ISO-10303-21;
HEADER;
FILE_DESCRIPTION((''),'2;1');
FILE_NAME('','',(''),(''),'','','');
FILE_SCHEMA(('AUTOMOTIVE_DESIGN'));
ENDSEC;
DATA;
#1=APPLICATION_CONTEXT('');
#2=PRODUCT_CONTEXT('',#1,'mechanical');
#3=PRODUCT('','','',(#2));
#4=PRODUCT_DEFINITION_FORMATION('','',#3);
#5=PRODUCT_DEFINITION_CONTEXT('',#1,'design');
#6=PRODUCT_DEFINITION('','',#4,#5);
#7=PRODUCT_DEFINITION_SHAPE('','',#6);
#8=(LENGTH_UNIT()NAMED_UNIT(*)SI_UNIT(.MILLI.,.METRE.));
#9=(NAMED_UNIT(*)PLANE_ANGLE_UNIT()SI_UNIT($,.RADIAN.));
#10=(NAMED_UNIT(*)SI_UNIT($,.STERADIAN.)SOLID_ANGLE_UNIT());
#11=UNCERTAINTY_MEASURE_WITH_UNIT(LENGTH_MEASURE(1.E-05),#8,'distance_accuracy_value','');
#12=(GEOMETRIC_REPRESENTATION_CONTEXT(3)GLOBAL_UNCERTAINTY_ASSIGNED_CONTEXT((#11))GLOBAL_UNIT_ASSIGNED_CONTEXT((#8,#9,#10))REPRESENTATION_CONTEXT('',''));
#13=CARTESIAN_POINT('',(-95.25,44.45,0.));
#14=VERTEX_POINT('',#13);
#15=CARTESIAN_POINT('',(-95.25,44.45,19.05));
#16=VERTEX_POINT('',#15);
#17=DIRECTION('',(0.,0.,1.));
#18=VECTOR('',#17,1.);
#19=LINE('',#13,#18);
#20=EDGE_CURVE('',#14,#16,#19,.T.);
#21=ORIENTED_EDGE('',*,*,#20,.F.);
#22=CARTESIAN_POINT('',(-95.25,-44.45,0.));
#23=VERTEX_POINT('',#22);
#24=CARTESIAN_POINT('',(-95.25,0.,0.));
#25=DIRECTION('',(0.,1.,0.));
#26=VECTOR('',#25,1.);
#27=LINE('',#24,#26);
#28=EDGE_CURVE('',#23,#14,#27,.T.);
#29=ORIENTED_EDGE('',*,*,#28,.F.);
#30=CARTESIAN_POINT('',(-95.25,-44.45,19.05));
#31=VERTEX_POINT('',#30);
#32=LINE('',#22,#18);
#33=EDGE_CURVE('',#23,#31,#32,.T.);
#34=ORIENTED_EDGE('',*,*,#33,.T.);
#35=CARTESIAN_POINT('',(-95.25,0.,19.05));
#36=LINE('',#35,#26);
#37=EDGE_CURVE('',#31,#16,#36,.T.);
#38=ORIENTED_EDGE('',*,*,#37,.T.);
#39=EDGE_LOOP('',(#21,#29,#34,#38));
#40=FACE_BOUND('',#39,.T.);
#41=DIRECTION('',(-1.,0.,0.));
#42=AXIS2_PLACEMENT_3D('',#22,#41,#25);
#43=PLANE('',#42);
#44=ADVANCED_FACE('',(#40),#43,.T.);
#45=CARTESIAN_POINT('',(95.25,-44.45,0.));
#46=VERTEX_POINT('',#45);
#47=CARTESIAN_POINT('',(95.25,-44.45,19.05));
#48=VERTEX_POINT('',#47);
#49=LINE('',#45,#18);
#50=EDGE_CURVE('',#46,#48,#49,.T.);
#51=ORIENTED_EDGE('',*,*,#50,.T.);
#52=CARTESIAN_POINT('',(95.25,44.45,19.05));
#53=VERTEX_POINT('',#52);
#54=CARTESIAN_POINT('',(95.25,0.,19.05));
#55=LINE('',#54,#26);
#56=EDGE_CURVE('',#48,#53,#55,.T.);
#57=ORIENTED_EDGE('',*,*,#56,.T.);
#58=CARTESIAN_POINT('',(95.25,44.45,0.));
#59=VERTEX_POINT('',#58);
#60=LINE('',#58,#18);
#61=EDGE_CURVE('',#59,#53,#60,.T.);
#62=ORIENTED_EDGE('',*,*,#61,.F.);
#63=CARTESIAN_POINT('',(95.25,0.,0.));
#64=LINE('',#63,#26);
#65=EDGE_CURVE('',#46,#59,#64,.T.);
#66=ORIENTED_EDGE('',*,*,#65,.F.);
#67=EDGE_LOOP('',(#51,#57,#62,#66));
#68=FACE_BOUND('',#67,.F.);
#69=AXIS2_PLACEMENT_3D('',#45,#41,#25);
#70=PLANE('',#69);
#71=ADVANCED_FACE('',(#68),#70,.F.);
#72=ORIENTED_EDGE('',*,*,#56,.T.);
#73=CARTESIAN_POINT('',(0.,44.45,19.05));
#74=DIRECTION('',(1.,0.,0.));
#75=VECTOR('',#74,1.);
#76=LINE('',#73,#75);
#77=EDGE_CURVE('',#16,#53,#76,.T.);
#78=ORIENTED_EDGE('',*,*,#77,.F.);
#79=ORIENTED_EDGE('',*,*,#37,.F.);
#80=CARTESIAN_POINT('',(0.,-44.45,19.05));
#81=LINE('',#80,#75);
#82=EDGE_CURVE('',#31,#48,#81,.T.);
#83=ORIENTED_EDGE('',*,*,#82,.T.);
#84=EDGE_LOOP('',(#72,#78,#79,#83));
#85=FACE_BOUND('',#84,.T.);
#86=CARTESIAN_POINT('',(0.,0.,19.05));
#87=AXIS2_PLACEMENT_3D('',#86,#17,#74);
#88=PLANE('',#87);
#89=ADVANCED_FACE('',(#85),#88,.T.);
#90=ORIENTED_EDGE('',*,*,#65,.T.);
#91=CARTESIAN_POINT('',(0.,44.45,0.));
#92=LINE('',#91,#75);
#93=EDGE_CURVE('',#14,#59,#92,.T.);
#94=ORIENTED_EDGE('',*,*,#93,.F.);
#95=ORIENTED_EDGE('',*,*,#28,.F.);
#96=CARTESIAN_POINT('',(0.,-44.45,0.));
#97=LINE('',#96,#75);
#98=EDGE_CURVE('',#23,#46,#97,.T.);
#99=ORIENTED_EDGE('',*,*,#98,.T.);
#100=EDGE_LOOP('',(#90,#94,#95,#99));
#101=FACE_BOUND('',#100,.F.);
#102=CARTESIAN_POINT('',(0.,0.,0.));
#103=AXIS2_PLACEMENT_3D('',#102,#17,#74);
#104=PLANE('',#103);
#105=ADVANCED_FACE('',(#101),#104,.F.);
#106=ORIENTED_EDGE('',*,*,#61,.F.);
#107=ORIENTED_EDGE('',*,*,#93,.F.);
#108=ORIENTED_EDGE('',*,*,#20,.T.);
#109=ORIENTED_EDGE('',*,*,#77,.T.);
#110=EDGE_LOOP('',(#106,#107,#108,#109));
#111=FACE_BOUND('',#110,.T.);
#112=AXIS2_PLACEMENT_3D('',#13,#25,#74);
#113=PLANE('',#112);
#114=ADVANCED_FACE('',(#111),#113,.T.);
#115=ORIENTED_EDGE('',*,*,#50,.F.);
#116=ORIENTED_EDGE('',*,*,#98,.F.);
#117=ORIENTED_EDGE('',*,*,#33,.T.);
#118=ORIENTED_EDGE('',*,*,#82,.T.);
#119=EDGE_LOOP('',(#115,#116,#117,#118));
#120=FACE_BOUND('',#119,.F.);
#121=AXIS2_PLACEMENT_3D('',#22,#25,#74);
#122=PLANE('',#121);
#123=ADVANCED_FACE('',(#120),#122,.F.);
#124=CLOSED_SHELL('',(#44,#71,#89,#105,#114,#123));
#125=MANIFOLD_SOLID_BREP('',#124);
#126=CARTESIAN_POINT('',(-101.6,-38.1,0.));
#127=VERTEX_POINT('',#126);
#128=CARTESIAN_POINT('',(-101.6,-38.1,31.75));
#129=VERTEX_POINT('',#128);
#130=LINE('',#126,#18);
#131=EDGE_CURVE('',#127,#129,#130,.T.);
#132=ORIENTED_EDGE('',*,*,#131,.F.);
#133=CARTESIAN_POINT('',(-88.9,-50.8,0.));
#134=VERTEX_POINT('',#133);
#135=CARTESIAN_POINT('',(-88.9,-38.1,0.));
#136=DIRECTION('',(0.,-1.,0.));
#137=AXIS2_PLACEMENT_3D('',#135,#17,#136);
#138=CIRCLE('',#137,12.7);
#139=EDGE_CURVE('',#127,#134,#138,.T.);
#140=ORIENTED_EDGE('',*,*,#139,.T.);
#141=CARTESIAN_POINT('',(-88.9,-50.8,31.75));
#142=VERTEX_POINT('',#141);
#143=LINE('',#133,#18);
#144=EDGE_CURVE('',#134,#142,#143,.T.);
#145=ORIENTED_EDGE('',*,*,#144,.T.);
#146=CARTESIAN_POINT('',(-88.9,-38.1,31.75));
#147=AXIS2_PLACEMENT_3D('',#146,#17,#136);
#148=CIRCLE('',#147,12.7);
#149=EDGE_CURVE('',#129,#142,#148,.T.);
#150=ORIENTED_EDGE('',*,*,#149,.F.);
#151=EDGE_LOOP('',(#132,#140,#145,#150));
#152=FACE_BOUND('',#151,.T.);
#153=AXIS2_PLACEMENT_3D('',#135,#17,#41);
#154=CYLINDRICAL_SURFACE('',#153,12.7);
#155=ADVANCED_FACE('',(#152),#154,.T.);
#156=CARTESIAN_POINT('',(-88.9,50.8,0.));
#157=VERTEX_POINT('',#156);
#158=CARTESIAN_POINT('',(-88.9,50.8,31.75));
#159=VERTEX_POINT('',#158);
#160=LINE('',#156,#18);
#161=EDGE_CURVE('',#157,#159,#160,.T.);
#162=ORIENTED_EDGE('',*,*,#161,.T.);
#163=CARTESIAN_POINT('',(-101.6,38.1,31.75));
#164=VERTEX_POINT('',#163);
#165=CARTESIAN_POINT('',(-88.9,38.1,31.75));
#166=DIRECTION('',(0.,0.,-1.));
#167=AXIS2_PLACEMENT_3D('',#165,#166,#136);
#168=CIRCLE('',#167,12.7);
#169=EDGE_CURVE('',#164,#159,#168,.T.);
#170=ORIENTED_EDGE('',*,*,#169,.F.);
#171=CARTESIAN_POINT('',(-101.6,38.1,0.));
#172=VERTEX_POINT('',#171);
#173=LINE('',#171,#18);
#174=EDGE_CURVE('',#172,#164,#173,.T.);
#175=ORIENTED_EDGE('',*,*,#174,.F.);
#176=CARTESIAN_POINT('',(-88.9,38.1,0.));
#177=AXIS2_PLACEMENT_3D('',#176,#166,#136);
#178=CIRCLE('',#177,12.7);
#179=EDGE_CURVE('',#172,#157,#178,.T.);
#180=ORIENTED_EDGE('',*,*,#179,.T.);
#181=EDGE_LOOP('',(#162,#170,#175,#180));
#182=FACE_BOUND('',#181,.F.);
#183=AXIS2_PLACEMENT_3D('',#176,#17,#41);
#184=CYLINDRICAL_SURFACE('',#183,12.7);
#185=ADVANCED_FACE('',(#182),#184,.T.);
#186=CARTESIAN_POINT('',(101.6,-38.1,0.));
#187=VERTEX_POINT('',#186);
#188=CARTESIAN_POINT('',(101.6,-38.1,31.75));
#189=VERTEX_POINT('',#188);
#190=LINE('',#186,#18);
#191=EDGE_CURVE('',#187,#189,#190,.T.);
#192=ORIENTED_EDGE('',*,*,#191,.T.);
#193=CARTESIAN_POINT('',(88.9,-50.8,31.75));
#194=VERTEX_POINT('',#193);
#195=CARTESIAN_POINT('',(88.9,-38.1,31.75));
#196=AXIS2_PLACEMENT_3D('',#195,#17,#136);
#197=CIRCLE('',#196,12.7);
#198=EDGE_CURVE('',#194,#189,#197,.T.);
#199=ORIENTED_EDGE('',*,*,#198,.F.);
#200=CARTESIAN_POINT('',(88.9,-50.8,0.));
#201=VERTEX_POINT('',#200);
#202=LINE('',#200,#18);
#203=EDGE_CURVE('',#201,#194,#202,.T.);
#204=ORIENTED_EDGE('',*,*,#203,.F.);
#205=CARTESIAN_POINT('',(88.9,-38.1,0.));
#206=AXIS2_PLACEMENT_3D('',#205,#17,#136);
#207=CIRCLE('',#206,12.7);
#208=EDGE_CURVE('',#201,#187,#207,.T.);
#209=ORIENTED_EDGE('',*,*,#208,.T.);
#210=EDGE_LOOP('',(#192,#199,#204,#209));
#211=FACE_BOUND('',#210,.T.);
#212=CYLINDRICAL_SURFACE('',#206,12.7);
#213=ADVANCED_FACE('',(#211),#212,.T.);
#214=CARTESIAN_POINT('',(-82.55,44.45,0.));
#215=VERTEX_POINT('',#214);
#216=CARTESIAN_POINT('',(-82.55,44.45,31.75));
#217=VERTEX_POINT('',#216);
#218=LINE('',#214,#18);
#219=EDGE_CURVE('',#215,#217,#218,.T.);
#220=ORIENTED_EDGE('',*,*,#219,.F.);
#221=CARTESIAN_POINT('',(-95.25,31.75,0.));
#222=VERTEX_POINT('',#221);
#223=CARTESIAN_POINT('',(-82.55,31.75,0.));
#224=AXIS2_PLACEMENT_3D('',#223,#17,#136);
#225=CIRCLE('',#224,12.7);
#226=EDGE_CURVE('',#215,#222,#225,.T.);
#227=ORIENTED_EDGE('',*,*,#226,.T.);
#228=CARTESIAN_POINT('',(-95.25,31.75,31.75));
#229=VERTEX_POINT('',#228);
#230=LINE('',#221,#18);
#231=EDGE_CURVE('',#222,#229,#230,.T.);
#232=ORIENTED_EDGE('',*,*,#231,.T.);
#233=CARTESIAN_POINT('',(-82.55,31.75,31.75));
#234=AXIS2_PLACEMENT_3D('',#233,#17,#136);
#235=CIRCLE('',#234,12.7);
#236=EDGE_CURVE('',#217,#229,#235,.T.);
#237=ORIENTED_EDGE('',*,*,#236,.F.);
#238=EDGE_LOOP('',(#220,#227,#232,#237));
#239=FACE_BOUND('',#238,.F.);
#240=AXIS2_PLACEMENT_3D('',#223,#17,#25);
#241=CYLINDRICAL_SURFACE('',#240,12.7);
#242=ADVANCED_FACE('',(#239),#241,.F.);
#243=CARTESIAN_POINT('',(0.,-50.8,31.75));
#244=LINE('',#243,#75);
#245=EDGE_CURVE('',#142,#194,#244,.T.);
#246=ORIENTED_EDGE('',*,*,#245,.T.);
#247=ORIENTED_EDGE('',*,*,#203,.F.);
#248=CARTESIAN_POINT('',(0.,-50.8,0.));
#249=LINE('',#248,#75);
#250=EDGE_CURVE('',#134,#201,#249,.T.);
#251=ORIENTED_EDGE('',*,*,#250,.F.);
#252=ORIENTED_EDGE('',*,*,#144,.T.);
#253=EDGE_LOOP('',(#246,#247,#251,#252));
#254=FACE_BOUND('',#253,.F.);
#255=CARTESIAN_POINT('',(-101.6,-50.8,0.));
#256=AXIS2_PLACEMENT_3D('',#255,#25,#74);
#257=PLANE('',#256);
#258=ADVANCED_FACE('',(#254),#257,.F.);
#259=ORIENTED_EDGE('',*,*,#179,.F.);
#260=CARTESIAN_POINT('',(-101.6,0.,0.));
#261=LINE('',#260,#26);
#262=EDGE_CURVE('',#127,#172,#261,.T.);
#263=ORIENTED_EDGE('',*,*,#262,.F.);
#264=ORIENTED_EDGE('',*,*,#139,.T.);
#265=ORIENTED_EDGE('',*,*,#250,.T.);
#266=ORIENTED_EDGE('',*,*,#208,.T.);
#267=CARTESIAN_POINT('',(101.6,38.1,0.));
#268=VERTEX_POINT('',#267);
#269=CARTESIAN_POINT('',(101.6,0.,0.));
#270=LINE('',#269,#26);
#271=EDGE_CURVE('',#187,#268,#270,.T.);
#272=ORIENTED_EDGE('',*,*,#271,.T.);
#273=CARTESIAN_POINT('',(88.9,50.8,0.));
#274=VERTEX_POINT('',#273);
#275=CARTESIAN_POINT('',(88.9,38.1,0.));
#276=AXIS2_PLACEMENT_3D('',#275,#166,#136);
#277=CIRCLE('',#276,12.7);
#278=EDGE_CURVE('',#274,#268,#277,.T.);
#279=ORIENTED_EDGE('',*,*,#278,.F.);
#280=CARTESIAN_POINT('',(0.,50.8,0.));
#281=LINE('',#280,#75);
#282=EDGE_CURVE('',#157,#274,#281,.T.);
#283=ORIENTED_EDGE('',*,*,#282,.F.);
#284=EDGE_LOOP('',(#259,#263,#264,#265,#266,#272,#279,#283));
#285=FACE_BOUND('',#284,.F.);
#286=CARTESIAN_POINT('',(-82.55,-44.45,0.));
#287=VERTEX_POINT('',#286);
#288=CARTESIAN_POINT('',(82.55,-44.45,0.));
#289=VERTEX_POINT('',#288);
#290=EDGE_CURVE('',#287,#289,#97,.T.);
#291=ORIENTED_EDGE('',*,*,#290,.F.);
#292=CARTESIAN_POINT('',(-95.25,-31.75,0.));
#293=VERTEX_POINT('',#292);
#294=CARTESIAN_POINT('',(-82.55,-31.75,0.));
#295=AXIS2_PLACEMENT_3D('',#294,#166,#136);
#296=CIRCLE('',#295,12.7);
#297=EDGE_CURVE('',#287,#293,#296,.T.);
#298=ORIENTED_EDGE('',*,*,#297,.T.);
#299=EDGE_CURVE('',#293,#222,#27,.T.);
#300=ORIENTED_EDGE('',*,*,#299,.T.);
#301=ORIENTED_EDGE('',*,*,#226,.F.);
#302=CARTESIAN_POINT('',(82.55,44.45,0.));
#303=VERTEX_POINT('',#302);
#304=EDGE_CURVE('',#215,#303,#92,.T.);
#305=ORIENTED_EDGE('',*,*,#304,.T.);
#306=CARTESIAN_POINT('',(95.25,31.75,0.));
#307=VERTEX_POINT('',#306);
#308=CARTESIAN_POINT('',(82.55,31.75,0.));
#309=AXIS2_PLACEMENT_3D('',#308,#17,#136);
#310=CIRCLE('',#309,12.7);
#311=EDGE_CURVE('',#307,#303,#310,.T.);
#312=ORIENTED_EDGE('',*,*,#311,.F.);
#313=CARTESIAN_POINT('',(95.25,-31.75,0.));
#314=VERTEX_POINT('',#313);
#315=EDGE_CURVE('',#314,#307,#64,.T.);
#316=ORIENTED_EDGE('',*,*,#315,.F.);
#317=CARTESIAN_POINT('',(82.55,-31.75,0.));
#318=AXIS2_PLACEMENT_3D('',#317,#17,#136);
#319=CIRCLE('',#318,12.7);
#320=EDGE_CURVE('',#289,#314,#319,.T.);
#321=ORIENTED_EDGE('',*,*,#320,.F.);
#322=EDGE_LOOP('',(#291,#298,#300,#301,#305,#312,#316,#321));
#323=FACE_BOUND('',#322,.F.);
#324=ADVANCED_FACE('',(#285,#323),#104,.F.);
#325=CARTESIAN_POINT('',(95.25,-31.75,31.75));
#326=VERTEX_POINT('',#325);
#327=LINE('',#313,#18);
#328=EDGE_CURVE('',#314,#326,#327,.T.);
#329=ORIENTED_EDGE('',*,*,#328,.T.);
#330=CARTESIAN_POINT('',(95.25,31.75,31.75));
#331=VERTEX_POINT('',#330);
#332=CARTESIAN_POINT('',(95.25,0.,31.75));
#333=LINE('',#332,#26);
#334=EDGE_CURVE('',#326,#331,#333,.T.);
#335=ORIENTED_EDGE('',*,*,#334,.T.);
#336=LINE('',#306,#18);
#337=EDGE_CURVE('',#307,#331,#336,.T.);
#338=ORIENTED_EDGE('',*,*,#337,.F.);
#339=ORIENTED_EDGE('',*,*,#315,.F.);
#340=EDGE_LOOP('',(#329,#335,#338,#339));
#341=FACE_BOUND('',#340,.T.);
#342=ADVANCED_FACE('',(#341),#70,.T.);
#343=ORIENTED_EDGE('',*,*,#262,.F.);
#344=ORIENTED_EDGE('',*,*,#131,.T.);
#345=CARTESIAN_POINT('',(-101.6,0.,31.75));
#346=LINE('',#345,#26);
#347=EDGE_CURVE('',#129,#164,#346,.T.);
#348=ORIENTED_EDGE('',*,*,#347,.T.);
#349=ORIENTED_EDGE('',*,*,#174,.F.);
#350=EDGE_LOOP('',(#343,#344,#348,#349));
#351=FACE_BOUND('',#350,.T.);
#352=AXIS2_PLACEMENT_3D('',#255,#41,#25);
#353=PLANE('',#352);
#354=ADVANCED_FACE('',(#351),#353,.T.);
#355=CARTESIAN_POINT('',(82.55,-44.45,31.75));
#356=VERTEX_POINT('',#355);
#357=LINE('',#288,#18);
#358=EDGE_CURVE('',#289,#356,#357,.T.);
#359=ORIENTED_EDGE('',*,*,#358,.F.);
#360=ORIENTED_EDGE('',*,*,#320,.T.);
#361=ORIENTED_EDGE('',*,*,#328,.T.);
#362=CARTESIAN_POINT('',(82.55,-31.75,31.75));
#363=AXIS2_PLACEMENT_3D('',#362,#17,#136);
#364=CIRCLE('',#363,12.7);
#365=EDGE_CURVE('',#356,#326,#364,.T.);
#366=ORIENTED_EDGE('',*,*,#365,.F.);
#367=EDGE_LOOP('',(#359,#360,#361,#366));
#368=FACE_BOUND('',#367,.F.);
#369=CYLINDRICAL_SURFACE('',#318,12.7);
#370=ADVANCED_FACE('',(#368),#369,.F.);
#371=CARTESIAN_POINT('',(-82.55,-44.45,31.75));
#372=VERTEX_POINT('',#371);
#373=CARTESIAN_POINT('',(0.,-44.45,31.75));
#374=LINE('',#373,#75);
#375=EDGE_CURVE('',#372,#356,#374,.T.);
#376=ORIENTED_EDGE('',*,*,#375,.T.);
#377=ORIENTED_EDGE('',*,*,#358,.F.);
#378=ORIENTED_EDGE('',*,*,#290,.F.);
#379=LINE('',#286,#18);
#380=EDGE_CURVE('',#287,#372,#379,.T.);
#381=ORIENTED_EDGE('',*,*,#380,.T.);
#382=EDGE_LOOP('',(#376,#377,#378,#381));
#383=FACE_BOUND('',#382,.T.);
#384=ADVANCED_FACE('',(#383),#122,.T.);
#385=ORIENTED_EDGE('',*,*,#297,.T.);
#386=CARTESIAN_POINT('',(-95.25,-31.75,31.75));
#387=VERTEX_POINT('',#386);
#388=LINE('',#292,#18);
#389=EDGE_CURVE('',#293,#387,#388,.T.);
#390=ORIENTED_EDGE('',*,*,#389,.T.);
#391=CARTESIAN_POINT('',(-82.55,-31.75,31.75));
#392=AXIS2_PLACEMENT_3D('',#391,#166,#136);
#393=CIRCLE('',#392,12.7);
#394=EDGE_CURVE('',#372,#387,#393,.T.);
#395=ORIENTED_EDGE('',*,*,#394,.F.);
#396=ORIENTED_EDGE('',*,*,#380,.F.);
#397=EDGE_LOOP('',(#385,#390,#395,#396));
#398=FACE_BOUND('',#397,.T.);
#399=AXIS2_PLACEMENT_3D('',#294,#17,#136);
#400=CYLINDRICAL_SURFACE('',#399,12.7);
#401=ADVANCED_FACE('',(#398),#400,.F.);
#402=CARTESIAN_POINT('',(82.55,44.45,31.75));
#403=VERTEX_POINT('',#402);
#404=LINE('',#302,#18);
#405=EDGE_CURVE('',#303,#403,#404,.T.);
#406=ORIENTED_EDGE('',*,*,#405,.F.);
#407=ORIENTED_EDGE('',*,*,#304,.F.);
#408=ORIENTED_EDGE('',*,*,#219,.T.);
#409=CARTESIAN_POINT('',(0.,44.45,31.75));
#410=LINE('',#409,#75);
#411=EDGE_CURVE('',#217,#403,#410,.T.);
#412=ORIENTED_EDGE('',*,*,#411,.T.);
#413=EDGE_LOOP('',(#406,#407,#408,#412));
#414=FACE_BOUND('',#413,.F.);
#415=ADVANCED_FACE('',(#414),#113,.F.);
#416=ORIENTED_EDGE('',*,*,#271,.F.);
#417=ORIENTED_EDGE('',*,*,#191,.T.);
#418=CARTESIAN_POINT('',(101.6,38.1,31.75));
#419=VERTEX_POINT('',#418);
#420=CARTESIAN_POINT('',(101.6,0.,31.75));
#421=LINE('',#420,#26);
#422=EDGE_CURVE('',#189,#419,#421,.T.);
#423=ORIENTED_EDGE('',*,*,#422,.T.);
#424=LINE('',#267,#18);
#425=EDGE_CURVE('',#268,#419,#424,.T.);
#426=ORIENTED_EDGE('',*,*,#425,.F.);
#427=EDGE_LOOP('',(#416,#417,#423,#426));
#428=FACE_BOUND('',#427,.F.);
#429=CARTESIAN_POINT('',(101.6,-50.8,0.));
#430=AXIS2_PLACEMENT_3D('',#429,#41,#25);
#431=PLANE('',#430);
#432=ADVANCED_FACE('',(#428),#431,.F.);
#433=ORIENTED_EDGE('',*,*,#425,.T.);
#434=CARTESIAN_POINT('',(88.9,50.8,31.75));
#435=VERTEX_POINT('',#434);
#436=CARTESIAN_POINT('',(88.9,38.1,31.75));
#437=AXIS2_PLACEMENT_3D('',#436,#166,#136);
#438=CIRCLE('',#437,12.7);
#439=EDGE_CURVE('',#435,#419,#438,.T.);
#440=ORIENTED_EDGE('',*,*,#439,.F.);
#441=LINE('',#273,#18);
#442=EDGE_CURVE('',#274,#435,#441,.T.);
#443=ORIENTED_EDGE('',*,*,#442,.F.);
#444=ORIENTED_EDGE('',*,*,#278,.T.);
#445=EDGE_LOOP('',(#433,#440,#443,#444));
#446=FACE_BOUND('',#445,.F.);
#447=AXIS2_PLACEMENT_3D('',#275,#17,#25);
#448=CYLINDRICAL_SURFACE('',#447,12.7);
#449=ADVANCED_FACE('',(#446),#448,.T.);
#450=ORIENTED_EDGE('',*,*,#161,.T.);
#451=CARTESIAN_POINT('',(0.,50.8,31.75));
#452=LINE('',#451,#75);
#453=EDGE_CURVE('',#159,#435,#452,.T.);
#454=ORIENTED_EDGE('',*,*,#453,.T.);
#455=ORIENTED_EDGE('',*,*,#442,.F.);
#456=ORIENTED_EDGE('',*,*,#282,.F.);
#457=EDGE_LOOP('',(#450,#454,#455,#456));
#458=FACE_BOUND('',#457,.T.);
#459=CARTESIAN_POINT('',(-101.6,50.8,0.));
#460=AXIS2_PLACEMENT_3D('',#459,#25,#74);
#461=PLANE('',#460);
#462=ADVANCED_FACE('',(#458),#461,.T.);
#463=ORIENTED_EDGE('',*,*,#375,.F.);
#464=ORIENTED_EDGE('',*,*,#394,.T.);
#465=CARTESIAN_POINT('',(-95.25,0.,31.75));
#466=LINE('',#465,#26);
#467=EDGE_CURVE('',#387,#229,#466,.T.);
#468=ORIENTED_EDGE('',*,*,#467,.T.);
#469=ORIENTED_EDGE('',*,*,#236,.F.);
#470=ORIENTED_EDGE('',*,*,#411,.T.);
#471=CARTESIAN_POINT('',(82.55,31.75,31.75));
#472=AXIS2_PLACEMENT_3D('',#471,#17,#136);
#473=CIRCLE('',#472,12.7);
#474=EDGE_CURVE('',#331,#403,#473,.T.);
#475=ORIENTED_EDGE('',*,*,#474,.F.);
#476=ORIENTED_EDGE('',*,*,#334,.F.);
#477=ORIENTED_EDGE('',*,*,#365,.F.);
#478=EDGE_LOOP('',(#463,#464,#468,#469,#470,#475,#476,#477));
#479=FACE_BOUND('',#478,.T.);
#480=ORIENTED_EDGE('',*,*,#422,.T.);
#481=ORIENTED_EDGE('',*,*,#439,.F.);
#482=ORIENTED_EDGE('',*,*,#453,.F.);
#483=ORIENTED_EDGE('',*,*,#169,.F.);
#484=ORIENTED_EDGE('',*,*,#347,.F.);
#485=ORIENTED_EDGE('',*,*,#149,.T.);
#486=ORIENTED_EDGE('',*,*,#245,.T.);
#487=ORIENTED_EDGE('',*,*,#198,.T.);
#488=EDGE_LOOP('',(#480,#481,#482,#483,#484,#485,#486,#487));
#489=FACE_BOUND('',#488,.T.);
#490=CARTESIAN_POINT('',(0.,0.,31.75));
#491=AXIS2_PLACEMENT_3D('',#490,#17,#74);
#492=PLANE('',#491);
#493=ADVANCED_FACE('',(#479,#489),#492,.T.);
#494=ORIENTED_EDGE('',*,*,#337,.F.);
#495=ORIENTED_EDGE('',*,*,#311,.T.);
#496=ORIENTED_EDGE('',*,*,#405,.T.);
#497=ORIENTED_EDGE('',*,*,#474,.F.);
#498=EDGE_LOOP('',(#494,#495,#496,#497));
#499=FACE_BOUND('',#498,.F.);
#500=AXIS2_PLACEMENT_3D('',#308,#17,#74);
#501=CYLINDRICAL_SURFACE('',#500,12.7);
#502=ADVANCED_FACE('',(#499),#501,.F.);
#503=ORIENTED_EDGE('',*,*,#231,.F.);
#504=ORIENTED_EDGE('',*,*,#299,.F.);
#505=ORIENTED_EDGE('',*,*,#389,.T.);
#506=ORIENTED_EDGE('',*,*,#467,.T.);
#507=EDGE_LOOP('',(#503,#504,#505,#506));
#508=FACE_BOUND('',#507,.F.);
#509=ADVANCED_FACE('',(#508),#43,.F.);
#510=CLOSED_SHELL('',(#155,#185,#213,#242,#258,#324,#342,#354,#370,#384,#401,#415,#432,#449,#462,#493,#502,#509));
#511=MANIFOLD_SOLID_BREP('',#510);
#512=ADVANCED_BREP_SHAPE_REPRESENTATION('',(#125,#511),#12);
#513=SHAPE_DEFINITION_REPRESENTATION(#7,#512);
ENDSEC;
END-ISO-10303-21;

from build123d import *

# Parameters (mm, degrees)
F0_W     = 190.5
F0_H     = 88.9
F1_DEPTH = 19.05
F0_W_2   = 203.2
F0_H_2   = 101.6
F2_DEPTH = 31.75
F3_R     = 12.7


with BuildPart() as f1:
    # F0 (on Top) → F1 (new body)
    with BuildSketch(Plane.XY):
        Rectangle(F0_W, F0_H)
    extrude(amount=F1_DEPTH)


with BuildPart() as f2:
    # F0 (on Top) → F2 (new body)
    with BuildSketch(Plane.XY):
        Rectangle(F0_W_2, F0_H_2)
        Rectangle(F0_W, F0_H, mode=Mode.SUBTRACT)
    extrude(amount=F2_DEPTH)

    # F3
    f3_edges = [f2.edges().sort_by_distance(p)[0] for p in [
        (-101.6, 50.8, 15.875),
        (-101.6, -50.8, 15.875),
        (101.6, -50.8, 15.875),
        (101.6, 50.8, 15.875),
        (-95.25, 44.45, 15.875),
        (-95.25, -44.45, 15.875),
        (95.25, 44.45, 15.875),
        (95.25, -44.45, 15.875),
    ]]
    fillet(f3_edges, radius=F3_R)


solid = Compound([f1.part, f2.part])
